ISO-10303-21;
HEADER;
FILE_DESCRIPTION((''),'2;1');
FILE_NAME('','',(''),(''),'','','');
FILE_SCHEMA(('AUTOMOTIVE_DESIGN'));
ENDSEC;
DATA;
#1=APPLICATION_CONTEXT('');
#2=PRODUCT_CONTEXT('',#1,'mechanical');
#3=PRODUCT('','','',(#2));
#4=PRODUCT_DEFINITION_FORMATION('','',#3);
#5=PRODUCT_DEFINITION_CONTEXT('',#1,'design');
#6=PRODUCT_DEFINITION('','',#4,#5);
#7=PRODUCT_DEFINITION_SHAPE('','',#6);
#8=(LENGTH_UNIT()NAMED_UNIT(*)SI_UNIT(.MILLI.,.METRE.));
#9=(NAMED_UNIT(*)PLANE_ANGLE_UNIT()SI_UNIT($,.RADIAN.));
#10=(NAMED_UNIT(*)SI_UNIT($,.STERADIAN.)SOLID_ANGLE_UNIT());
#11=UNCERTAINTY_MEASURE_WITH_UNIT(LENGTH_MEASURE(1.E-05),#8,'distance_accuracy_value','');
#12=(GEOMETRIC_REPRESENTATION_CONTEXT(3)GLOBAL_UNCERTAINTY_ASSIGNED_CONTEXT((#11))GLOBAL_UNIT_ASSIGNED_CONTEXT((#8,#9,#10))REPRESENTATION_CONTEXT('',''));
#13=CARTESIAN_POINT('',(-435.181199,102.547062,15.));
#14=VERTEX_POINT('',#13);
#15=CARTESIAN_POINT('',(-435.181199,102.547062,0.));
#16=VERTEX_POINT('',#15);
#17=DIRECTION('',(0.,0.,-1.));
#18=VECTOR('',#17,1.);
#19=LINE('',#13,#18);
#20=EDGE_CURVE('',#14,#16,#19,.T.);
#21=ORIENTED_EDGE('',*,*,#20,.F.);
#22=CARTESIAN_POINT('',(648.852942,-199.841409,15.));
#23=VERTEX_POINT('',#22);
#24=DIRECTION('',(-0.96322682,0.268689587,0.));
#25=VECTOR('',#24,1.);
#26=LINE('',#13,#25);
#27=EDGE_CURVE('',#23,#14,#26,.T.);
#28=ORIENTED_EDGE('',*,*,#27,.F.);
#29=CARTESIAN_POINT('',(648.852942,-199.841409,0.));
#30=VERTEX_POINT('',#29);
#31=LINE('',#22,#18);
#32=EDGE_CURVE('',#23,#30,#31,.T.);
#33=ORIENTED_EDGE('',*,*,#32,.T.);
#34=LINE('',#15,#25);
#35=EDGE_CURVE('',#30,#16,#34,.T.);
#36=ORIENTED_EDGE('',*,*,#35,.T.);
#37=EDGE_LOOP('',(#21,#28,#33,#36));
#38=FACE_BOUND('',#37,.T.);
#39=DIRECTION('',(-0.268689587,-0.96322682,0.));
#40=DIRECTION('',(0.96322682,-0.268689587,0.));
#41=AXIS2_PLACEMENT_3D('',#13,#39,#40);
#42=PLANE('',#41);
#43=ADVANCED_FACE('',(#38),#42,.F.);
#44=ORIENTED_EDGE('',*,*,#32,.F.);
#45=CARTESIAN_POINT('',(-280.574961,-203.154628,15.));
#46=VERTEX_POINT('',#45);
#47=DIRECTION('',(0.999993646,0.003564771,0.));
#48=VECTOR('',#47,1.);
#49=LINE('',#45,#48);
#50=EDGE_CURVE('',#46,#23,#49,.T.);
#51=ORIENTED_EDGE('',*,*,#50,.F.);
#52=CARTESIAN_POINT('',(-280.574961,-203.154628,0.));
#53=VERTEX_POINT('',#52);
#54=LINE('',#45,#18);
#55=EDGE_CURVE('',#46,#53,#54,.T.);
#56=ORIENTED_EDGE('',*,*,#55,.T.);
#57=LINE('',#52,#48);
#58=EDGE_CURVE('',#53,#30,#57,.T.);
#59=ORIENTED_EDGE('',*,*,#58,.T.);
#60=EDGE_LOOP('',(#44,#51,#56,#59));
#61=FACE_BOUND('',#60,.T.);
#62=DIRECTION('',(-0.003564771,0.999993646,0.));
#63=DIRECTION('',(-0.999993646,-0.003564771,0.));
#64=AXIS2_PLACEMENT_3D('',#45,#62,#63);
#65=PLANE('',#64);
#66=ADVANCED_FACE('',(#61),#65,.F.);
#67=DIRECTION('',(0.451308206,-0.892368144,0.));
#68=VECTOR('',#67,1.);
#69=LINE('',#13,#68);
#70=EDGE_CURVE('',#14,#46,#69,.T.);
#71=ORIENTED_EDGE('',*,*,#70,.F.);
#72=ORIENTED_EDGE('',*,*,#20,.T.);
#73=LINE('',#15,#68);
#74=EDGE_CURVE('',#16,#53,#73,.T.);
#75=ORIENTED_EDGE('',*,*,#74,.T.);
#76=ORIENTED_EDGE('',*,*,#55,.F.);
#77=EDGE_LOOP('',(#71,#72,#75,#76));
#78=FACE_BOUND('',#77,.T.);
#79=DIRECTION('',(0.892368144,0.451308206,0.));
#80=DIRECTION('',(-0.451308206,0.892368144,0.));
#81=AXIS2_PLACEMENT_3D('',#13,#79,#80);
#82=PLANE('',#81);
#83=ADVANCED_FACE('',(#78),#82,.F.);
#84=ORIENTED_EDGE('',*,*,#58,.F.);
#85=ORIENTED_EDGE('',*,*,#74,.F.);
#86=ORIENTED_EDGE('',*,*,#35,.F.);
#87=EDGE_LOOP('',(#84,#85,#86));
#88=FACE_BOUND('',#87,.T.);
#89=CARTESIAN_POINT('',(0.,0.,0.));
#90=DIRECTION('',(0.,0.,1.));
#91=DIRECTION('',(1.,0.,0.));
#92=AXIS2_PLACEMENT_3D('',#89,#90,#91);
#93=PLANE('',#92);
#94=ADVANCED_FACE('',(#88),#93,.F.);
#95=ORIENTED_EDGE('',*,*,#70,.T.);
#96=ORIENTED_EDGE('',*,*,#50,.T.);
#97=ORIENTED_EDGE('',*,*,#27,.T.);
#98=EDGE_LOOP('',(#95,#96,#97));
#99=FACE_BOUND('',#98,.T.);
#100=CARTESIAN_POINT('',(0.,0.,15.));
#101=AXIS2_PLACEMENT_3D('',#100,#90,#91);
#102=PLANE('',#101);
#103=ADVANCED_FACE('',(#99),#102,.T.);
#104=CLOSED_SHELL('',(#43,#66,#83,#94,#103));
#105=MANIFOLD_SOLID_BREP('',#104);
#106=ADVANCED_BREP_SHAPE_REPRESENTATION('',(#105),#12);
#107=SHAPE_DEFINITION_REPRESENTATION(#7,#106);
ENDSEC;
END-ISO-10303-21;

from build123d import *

# Parameters (mm, degrees)
BOSS_EXTRUDE1_DEPTH = 15


with BuildPart() as part:
    # Sketch1 → Boss-Extrude1 (new body)
    with BuildSketch(Plane.XY):
        Polygon((-435.181198885, 102.547061821), (648.852942116, -199.84140909), (-280.574961477, -203.154627929), align=None)
    extrude(amount=BOSS_EXTRUDE1_DEPTH)


solid = part.part
